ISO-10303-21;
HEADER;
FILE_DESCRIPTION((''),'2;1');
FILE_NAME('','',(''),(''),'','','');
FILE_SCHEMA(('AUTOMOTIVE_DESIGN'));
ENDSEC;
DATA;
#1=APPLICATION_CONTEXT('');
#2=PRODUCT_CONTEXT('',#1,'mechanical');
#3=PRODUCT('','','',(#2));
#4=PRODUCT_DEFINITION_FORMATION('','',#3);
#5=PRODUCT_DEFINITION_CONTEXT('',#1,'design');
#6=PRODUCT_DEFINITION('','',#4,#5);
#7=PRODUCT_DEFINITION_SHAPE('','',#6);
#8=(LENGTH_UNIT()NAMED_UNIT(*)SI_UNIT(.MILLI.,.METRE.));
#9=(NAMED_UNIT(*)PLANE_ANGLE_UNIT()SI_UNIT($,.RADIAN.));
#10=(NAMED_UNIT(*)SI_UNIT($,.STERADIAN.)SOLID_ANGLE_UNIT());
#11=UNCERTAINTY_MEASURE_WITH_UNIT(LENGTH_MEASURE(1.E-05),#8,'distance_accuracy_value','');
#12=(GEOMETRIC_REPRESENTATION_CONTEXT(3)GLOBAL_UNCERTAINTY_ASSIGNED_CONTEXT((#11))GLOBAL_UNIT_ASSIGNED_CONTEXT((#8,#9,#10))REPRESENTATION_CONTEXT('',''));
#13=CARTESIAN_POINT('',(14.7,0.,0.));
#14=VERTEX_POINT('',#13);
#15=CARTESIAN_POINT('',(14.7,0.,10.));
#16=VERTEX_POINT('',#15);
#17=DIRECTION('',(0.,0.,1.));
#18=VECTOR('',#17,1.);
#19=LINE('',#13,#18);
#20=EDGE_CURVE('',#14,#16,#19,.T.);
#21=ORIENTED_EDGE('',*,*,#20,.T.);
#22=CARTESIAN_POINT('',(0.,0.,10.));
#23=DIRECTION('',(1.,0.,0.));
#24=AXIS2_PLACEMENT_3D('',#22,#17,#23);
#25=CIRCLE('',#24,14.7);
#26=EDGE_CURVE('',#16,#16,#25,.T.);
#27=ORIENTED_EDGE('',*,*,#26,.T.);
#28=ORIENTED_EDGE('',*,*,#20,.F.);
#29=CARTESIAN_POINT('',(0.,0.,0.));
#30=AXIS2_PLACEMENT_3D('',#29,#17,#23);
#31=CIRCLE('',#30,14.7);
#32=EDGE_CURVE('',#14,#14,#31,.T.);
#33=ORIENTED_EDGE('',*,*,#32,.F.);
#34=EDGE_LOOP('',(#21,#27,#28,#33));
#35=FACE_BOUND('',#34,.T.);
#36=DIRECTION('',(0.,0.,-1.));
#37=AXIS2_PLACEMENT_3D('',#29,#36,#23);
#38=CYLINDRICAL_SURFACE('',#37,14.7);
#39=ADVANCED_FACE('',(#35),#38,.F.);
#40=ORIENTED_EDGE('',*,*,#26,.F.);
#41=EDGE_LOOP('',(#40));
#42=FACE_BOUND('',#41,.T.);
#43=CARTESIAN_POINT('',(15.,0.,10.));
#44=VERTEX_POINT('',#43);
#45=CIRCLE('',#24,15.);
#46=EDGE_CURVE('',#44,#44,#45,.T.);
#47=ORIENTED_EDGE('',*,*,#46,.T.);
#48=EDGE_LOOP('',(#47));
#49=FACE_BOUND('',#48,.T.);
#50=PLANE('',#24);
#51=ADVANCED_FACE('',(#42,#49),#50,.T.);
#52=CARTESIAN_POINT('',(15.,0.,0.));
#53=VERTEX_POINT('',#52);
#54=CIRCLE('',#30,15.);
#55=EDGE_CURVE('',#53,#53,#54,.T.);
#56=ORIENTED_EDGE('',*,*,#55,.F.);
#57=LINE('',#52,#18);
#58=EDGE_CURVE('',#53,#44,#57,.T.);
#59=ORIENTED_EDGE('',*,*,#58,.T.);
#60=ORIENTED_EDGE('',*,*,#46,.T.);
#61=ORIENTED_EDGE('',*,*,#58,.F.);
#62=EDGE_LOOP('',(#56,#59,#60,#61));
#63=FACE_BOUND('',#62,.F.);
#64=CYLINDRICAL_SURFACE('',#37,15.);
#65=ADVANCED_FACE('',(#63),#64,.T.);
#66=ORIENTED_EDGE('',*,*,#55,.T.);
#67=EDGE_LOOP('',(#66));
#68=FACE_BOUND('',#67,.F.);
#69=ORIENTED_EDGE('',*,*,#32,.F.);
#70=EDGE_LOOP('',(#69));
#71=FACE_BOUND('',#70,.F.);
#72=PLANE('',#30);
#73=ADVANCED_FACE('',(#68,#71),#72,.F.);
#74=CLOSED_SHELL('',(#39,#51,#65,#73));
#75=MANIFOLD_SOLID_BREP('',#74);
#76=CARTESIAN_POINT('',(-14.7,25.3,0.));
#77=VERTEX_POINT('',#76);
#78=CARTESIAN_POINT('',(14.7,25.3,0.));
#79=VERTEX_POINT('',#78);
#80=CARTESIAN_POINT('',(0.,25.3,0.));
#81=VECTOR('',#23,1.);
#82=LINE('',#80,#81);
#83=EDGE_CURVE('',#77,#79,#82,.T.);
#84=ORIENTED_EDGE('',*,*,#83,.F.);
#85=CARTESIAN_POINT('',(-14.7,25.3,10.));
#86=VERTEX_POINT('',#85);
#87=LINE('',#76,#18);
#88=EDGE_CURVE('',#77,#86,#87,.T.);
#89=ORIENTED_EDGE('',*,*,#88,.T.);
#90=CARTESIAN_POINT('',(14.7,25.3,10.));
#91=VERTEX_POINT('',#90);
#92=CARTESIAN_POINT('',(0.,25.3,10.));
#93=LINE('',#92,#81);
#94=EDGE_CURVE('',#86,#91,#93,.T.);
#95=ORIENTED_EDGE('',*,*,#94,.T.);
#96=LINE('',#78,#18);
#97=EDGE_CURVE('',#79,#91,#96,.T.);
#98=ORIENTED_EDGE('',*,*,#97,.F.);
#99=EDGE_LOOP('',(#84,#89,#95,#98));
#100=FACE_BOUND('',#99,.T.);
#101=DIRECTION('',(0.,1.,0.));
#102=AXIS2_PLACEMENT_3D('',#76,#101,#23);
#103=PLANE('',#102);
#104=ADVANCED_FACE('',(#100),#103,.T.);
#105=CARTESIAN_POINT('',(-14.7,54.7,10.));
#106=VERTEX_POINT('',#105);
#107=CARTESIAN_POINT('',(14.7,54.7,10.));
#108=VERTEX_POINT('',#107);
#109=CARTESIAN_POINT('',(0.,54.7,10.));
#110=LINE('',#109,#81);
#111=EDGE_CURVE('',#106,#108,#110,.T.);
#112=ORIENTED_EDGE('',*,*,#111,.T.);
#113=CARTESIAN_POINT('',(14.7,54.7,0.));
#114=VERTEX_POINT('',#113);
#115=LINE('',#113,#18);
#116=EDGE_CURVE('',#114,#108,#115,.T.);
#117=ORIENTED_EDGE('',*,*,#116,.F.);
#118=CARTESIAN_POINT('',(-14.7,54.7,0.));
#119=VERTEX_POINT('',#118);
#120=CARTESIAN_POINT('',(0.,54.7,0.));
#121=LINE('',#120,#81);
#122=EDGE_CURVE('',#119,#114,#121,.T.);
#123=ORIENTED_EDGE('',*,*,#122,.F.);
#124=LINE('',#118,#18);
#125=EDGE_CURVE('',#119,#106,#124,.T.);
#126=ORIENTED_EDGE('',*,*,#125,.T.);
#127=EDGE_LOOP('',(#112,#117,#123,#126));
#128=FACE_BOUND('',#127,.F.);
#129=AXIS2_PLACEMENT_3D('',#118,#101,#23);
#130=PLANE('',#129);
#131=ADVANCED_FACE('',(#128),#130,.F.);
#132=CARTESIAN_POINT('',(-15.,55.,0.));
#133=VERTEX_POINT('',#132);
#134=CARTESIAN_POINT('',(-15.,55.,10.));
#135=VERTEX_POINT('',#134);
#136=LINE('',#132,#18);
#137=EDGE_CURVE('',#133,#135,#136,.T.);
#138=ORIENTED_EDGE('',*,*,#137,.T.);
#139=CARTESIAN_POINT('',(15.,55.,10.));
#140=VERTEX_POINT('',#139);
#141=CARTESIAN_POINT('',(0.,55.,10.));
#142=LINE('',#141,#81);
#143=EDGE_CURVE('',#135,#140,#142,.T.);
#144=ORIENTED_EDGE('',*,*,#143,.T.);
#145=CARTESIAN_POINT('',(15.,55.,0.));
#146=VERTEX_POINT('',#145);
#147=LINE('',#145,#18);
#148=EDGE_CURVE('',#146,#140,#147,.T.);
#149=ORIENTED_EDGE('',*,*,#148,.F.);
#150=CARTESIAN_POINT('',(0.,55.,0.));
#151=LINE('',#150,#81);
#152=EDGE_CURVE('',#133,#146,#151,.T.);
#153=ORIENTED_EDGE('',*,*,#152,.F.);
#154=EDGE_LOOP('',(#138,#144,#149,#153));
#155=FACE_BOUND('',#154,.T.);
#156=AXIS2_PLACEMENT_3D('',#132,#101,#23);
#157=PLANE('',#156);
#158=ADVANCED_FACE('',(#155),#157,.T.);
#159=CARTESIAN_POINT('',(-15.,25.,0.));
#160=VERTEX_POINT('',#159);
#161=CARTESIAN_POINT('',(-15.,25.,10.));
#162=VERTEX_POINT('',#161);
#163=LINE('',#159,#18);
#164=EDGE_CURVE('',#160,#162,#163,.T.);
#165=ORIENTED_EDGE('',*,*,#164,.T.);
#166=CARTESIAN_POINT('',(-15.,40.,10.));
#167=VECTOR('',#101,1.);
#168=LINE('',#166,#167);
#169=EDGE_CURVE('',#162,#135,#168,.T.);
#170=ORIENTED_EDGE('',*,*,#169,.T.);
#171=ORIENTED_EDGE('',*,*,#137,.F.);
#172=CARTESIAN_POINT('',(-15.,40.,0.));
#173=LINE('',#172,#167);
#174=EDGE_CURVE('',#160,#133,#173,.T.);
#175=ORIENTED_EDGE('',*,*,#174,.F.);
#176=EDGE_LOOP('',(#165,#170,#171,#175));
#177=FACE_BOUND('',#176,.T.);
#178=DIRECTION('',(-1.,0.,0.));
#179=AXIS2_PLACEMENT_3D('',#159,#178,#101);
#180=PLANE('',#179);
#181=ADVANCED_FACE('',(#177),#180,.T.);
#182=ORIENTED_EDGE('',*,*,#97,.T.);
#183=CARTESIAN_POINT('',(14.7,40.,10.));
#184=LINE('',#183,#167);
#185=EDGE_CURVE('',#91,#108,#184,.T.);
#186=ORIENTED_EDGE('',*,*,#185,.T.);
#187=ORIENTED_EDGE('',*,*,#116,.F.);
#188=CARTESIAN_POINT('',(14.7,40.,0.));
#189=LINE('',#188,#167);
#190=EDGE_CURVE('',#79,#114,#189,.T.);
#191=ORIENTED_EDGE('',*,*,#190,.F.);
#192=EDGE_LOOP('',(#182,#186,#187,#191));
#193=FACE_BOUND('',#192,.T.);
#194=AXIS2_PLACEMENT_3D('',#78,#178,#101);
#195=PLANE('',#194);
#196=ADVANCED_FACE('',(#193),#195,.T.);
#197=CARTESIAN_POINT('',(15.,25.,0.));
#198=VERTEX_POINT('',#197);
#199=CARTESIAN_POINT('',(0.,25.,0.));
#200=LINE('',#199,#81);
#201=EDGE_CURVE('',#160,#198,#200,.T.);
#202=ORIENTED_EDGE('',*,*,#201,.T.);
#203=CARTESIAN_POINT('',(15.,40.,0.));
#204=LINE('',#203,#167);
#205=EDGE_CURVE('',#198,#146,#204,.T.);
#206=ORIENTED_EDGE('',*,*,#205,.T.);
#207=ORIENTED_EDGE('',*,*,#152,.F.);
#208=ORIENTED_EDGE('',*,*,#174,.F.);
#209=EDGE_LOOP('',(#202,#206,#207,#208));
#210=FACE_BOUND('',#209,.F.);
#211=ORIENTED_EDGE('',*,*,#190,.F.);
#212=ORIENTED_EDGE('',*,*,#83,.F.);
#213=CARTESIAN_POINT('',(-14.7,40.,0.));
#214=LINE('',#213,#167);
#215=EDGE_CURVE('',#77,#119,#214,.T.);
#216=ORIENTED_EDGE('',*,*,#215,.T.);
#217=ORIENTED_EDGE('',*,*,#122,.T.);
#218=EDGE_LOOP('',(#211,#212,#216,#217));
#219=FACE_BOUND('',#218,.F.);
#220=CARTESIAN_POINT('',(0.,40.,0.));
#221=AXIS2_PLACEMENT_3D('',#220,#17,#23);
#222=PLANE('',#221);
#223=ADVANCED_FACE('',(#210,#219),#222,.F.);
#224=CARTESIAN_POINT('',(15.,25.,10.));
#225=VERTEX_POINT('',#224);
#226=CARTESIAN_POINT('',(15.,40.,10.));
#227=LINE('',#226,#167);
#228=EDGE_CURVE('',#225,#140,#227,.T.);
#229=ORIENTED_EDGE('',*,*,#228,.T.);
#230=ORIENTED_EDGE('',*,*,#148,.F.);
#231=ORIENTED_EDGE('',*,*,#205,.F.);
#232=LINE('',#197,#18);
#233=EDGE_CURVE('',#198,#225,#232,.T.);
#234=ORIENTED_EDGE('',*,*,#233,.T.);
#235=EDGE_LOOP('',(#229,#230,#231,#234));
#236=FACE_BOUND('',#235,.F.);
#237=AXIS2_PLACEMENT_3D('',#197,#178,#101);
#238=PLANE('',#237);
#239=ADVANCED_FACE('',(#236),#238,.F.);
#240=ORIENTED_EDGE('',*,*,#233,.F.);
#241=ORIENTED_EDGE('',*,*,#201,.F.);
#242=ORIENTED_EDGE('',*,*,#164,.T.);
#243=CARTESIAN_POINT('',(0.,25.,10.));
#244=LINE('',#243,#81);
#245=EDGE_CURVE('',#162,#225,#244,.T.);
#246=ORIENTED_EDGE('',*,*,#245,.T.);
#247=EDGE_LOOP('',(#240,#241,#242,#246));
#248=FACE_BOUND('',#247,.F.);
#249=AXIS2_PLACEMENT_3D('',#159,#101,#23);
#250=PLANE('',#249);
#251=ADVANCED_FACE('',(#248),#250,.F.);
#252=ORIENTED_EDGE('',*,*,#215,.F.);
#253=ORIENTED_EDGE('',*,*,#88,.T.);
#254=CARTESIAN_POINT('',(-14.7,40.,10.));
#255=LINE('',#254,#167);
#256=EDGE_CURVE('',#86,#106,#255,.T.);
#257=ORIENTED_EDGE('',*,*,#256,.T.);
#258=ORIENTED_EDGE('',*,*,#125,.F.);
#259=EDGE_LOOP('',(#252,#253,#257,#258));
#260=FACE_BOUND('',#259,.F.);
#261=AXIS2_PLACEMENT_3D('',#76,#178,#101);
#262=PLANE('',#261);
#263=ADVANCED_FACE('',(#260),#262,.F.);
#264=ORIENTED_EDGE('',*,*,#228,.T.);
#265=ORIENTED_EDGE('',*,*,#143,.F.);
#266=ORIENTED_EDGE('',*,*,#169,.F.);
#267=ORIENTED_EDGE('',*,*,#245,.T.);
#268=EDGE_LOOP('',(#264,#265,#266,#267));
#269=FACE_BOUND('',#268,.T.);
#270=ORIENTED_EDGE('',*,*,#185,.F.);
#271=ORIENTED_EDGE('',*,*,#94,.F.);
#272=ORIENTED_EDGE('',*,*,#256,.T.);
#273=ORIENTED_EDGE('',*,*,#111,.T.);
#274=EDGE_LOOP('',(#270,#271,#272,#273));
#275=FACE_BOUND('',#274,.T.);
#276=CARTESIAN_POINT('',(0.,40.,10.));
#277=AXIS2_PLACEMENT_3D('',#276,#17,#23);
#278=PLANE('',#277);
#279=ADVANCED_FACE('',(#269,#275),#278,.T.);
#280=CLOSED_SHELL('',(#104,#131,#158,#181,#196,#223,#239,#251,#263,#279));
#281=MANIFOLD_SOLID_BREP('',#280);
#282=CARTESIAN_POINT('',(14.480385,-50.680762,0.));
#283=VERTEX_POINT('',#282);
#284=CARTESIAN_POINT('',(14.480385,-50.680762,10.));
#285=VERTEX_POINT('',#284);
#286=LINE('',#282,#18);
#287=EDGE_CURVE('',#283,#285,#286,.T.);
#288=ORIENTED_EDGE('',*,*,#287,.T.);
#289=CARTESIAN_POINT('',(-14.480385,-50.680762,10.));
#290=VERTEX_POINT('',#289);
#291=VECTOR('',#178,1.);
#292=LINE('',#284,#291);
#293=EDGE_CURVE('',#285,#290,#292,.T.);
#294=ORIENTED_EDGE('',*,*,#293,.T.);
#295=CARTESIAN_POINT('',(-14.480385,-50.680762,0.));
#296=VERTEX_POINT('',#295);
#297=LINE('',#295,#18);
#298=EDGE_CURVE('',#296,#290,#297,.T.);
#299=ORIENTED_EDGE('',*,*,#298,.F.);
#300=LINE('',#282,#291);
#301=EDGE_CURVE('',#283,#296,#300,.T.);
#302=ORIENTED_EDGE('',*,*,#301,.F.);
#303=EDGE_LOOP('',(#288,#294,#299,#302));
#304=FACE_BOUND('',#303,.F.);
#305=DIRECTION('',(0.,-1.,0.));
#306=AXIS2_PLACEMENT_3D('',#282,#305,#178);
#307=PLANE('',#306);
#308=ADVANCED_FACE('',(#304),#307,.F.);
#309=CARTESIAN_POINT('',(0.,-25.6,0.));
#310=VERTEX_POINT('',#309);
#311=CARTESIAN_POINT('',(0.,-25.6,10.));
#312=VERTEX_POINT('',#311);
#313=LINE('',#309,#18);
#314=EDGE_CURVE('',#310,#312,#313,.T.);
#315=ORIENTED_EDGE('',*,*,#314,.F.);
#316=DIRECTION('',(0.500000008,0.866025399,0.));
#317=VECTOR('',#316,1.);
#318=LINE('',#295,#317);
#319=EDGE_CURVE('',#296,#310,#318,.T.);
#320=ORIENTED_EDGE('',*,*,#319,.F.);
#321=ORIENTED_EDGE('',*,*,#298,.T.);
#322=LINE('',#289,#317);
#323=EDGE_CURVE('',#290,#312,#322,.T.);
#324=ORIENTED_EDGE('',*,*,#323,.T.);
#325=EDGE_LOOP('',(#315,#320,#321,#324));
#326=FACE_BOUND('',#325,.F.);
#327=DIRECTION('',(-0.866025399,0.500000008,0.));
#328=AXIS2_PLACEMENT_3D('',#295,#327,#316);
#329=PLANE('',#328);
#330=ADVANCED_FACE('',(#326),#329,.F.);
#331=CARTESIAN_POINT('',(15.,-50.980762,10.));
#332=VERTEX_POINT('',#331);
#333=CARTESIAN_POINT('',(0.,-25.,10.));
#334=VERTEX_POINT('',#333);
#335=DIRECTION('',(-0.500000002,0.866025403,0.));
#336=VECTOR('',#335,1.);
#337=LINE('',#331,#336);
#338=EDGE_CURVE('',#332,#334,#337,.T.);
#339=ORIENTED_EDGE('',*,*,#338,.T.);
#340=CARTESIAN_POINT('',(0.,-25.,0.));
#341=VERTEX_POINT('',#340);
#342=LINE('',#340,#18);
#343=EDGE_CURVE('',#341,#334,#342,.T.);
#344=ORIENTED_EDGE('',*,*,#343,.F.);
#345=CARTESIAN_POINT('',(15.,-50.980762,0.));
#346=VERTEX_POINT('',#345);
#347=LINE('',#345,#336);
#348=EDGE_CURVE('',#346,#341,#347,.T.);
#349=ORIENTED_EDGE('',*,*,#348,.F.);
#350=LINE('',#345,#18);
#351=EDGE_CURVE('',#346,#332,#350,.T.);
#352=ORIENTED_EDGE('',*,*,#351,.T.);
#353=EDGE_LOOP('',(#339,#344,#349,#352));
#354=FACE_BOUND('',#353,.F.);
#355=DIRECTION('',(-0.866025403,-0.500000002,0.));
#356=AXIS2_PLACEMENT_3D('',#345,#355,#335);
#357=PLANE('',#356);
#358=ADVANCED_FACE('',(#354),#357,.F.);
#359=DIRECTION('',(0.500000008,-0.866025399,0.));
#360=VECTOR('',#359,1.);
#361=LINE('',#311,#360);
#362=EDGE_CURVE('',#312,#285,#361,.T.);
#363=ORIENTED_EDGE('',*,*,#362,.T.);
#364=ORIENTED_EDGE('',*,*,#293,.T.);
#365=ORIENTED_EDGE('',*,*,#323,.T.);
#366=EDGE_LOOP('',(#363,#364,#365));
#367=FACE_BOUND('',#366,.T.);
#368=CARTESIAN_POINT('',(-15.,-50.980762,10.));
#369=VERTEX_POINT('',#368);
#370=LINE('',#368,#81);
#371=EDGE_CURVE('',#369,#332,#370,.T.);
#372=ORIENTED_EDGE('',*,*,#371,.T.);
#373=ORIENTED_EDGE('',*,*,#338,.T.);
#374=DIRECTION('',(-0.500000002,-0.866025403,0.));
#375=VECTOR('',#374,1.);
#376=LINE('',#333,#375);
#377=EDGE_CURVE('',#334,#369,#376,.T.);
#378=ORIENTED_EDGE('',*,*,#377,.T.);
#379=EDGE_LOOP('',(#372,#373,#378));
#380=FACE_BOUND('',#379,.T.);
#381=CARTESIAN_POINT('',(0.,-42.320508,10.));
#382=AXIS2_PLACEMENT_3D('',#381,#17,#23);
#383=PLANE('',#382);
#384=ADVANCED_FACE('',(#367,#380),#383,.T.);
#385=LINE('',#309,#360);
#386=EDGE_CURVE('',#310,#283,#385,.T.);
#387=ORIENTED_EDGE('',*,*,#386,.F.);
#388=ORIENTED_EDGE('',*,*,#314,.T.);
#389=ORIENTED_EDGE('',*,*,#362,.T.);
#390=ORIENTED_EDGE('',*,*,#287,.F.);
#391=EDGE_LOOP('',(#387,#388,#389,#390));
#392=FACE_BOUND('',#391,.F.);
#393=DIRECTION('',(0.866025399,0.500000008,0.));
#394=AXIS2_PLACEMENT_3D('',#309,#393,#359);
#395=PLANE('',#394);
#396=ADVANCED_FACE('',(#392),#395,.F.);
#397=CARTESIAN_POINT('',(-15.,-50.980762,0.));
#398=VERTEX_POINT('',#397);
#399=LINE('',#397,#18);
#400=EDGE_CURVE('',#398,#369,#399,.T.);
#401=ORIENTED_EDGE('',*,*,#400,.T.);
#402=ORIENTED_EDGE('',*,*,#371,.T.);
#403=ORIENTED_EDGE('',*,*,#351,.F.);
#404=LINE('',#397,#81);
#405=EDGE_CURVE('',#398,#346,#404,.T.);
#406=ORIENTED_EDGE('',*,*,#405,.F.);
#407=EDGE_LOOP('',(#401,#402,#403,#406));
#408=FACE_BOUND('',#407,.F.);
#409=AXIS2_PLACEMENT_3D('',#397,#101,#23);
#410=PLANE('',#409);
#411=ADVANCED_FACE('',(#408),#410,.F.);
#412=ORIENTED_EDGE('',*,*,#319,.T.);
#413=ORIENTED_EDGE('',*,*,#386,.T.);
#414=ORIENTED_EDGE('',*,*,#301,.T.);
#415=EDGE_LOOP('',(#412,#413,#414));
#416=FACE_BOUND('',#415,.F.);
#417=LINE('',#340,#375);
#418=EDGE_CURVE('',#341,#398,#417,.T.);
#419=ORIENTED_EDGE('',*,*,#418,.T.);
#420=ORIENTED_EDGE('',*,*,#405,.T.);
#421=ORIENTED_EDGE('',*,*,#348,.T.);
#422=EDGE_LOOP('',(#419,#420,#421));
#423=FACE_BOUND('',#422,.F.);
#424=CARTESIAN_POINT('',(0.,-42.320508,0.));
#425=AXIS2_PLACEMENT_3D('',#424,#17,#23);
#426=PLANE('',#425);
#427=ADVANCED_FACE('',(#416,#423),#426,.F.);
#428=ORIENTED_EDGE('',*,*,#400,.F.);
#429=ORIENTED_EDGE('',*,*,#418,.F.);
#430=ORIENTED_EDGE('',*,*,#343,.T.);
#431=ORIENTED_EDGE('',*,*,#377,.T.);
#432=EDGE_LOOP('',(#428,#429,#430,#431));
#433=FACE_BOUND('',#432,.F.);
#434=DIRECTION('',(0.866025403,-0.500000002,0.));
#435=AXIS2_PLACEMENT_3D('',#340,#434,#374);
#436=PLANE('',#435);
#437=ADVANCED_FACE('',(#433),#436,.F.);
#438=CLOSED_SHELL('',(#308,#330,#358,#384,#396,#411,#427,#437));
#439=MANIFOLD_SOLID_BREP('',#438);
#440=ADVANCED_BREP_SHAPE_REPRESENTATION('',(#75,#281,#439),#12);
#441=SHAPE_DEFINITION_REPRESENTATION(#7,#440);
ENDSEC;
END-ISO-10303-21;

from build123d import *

# Parameters (mm, degrees)
F0_R     = 15
F0_R_2   = 14.7
F0_W     = 30
F0_H     = 30
F0_W_2   = 29.4
F0_H_2   = 29.4
F1_DEPTH = 10


with BuildPart() as f1:
    # F0 (on Top) → F1 (new body)
    with BuildSketch(Plane.XY):
        Circle(F0_R)
        Circle(F0_R_2, mode=Mode.SUBTRACT)
        with Locations((0, 40)):
            Rectangle(F0_W, F0_H)
        with Locations((0, 40)):
            Rectangle(F0_W_2, F0_H_2, mode=Mode.SUBTRACT)
        Polygon((15, -50.980762), (0, -25), (-15, -50.980762), align=None)
        Polygon((-14.480385, -50.680762), (0, -25.6), (14.480385, -50.680762), align=None, mode=Mode.SUBTRACT)
    extrude(amount=F1_DEPTH)


solid = f1.part
